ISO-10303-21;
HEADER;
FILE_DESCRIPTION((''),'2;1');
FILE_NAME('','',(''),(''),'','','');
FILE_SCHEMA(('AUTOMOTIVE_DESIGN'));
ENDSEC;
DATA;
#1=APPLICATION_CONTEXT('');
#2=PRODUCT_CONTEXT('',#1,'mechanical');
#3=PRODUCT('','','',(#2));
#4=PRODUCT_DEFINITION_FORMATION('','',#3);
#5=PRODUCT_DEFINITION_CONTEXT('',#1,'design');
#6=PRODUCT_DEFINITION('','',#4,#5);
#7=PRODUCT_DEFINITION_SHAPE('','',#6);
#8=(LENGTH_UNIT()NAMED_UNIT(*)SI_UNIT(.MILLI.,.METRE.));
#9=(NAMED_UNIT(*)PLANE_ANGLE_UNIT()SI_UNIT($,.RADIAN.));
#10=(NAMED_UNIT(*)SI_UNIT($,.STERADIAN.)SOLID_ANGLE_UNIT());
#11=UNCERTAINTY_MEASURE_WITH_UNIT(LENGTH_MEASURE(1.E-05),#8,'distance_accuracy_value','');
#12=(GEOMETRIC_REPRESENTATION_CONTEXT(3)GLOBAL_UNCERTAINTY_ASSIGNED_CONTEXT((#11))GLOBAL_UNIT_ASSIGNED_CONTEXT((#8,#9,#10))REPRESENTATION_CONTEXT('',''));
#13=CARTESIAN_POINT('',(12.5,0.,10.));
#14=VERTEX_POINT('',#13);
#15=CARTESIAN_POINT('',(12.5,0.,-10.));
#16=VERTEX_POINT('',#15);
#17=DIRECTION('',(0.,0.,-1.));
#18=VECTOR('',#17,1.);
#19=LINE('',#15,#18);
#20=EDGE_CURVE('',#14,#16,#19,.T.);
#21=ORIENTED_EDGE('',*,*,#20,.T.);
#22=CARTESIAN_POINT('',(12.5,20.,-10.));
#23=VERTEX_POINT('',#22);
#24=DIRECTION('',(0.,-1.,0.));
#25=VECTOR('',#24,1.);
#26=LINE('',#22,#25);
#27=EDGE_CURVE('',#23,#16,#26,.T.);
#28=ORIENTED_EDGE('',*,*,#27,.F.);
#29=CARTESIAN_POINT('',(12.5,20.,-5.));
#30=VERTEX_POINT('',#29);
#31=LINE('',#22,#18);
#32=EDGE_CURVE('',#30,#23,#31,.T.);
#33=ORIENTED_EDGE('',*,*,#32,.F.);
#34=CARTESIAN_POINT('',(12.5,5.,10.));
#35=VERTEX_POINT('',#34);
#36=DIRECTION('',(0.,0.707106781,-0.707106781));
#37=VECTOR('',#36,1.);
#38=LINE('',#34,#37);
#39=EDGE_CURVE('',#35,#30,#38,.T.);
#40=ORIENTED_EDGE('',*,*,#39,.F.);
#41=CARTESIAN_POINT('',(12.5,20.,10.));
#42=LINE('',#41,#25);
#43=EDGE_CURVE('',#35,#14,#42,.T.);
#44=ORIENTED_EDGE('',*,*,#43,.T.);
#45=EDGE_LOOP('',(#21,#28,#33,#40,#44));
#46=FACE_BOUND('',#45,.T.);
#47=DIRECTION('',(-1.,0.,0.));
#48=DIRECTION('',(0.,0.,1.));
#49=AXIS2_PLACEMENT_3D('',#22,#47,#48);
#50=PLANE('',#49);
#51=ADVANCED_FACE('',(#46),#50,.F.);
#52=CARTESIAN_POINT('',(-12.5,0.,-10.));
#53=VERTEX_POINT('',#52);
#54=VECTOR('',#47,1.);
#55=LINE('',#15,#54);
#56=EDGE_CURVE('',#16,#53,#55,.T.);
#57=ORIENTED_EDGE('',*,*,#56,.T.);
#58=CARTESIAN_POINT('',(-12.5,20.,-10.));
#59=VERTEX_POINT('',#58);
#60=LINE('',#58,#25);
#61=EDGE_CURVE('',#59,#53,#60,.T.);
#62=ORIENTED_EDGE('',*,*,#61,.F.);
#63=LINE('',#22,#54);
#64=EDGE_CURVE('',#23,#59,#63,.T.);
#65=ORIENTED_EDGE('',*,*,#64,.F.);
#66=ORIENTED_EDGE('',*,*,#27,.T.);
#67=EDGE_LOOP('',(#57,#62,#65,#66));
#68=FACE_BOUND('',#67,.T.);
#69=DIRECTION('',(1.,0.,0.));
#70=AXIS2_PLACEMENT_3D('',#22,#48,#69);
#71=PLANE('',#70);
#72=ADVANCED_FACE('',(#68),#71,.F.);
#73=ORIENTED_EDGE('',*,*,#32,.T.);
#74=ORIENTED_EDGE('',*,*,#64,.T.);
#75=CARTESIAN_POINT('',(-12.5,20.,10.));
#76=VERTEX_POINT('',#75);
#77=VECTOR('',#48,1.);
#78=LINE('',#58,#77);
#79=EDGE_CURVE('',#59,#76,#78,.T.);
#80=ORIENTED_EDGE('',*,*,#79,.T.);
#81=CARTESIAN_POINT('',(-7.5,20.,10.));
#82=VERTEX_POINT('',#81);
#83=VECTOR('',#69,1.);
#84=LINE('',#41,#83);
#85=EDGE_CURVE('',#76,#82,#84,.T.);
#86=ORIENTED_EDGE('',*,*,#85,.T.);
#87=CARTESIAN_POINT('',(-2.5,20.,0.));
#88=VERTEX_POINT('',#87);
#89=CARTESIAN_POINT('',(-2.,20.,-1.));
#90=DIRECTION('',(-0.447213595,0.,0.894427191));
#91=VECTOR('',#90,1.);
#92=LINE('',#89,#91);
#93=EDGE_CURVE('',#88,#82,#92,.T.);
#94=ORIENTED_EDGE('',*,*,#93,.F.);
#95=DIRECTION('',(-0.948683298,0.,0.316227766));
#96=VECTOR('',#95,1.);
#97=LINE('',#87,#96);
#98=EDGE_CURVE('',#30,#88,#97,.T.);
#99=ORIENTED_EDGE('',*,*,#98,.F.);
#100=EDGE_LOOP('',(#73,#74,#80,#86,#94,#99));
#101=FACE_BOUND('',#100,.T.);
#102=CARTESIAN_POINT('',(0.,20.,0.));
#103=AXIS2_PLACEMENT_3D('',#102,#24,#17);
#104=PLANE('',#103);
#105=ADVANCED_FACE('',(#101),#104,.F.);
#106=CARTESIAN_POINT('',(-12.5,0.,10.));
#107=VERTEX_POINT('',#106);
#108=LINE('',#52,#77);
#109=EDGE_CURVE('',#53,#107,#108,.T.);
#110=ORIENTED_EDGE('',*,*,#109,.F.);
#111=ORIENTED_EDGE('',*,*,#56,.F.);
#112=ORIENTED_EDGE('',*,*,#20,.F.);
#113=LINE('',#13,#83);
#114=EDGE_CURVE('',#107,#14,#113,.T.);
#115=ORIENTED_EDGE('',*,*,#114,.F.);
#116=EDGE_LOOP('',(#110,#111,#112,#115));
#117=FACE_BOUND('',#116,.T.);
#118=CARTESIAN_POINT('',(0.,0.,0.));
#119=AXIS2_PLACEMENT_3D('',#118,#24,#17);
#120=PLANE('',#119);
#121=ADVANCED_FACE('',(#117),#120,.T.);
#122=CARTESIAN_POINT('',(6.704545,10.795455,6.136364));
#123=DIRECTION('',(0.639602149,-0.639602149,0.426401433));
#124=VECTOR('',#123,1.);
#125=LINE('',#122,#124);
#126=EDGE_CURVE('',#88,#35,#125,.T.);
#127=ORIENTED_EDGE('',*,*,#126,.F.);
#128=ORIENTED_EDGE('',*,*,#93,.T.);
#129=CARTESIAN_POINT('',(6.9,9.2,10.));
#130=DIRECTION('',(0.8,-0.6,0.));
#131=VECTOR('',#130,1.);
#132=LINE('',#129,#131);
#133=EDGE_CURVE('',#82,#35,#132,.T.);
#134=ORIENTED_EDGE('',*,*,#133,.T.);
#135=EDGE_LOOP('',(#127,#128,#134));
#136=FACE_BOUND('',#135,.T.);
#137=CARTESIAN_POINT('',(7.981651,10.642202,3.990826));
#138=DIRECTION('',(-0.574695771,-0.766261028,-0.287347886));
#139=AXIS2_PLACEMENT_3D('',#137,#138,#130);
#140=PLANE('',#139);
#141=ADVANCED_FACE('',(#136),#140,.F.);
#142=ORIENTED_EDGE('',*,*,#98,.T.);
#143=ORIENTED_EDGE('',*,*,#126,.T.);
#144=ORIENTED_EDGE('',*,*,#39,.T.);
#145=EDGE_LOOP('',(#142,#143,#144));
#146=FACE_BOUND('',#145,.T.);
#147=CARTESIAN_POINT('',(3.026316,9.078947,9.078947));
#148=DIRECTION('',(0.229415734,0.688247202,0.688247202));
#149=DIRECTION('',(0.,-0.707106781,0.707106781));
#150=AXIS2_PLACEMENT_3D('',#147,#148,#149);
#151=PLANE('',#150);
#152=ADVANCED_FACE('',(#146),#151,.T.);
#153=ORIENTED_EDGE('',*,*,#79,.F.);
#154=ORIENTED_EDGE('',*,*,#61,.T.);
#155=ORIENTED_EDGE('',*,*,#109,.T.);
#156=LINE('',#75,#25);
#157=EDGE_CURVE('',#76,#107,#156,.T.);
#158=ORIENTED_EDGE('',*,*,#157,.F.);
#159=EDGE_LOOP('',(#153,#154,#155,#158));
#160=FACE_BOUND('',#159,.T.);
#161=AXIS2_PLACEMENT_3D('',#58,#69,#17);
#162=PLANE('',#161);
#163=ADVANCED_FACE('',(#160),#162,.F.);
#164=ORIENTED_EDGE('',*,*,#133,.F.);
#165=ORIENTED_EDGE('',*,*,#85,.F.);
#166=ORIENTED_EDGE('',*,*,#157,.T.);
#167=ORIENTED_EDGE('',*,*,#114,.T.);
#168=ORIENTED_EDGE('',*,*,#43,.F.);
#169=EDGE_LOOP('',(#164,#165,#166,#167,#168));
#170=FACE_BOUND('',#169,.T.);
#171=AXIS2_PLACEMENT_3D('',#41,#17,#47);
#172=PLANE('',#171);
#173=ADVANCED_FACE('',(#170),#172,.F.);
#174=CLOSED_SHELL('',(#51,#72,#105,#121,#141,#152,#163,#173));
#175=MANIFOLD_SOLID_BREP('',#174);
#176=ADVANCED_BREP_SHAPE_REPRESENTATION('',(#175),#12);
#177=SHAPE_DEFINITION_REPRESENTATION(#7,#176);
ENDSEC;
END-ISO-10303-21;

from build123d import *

# Parameters (mm, degrees)
SKETCH_1_W          = 25
SKETCH_1_H          = 20
EXTRUDE_1_DEPTH     = 20
CUT_EXTRUDE_1_DEPTH = 20
CUT_EXTRUDE_5_DEPTH = 20


with BuildPart() as part:
    # 草圖1 → 填料-伸長1 (new body)
    with BuildSketch(Plane(origin=(0, 0, 0), x_dir=(1, 0, 0), z_dir=(0, 1, 0))):
        Rectangle(SKETCH_1_W, SKETCH_1_H)
    extrude(amount=EXTRUDE_1_DEPTH)

    # 草圖5 → 除料-伸長1 (cut)
    with BuildSketch(Plane(origin=(7.981651376, 10.642201835, 3.990825688), x_dir=(-0.818367137, 0.538104419, 0.201789157), z_dir=(-0.574695771, -0.766261028, -0.287347886))):
        Polygon((-5.521175546, -7.607674568), (18.917733471, -2.340822944), (12.808006217, 7.022468832), align=None)
    extrude(amount=-CUT_EXTRUDE_1_DEPTH, mode=Mode.SUBTRACT)

    # 草圖7 → 除料-伸長5 (cut)
    with BuildSketch(Plane(origin=(3.026315789, 9.078947368, 9.078947368), x_dir=(0.973328527, -0.162221421, -0.162221421), z_dir=(0.229415734, 0.688247202, 0.688247202))):
        Polygon((9.733285268, -3.535533906), (9.733285268, 17.67766953), (-5.67774974, 14.142135624), align=None)
    extrude(amount=CUT_EXTRUDE_5_DEPTH, mode=Mode.SUBTRACT)


solid = part.part
